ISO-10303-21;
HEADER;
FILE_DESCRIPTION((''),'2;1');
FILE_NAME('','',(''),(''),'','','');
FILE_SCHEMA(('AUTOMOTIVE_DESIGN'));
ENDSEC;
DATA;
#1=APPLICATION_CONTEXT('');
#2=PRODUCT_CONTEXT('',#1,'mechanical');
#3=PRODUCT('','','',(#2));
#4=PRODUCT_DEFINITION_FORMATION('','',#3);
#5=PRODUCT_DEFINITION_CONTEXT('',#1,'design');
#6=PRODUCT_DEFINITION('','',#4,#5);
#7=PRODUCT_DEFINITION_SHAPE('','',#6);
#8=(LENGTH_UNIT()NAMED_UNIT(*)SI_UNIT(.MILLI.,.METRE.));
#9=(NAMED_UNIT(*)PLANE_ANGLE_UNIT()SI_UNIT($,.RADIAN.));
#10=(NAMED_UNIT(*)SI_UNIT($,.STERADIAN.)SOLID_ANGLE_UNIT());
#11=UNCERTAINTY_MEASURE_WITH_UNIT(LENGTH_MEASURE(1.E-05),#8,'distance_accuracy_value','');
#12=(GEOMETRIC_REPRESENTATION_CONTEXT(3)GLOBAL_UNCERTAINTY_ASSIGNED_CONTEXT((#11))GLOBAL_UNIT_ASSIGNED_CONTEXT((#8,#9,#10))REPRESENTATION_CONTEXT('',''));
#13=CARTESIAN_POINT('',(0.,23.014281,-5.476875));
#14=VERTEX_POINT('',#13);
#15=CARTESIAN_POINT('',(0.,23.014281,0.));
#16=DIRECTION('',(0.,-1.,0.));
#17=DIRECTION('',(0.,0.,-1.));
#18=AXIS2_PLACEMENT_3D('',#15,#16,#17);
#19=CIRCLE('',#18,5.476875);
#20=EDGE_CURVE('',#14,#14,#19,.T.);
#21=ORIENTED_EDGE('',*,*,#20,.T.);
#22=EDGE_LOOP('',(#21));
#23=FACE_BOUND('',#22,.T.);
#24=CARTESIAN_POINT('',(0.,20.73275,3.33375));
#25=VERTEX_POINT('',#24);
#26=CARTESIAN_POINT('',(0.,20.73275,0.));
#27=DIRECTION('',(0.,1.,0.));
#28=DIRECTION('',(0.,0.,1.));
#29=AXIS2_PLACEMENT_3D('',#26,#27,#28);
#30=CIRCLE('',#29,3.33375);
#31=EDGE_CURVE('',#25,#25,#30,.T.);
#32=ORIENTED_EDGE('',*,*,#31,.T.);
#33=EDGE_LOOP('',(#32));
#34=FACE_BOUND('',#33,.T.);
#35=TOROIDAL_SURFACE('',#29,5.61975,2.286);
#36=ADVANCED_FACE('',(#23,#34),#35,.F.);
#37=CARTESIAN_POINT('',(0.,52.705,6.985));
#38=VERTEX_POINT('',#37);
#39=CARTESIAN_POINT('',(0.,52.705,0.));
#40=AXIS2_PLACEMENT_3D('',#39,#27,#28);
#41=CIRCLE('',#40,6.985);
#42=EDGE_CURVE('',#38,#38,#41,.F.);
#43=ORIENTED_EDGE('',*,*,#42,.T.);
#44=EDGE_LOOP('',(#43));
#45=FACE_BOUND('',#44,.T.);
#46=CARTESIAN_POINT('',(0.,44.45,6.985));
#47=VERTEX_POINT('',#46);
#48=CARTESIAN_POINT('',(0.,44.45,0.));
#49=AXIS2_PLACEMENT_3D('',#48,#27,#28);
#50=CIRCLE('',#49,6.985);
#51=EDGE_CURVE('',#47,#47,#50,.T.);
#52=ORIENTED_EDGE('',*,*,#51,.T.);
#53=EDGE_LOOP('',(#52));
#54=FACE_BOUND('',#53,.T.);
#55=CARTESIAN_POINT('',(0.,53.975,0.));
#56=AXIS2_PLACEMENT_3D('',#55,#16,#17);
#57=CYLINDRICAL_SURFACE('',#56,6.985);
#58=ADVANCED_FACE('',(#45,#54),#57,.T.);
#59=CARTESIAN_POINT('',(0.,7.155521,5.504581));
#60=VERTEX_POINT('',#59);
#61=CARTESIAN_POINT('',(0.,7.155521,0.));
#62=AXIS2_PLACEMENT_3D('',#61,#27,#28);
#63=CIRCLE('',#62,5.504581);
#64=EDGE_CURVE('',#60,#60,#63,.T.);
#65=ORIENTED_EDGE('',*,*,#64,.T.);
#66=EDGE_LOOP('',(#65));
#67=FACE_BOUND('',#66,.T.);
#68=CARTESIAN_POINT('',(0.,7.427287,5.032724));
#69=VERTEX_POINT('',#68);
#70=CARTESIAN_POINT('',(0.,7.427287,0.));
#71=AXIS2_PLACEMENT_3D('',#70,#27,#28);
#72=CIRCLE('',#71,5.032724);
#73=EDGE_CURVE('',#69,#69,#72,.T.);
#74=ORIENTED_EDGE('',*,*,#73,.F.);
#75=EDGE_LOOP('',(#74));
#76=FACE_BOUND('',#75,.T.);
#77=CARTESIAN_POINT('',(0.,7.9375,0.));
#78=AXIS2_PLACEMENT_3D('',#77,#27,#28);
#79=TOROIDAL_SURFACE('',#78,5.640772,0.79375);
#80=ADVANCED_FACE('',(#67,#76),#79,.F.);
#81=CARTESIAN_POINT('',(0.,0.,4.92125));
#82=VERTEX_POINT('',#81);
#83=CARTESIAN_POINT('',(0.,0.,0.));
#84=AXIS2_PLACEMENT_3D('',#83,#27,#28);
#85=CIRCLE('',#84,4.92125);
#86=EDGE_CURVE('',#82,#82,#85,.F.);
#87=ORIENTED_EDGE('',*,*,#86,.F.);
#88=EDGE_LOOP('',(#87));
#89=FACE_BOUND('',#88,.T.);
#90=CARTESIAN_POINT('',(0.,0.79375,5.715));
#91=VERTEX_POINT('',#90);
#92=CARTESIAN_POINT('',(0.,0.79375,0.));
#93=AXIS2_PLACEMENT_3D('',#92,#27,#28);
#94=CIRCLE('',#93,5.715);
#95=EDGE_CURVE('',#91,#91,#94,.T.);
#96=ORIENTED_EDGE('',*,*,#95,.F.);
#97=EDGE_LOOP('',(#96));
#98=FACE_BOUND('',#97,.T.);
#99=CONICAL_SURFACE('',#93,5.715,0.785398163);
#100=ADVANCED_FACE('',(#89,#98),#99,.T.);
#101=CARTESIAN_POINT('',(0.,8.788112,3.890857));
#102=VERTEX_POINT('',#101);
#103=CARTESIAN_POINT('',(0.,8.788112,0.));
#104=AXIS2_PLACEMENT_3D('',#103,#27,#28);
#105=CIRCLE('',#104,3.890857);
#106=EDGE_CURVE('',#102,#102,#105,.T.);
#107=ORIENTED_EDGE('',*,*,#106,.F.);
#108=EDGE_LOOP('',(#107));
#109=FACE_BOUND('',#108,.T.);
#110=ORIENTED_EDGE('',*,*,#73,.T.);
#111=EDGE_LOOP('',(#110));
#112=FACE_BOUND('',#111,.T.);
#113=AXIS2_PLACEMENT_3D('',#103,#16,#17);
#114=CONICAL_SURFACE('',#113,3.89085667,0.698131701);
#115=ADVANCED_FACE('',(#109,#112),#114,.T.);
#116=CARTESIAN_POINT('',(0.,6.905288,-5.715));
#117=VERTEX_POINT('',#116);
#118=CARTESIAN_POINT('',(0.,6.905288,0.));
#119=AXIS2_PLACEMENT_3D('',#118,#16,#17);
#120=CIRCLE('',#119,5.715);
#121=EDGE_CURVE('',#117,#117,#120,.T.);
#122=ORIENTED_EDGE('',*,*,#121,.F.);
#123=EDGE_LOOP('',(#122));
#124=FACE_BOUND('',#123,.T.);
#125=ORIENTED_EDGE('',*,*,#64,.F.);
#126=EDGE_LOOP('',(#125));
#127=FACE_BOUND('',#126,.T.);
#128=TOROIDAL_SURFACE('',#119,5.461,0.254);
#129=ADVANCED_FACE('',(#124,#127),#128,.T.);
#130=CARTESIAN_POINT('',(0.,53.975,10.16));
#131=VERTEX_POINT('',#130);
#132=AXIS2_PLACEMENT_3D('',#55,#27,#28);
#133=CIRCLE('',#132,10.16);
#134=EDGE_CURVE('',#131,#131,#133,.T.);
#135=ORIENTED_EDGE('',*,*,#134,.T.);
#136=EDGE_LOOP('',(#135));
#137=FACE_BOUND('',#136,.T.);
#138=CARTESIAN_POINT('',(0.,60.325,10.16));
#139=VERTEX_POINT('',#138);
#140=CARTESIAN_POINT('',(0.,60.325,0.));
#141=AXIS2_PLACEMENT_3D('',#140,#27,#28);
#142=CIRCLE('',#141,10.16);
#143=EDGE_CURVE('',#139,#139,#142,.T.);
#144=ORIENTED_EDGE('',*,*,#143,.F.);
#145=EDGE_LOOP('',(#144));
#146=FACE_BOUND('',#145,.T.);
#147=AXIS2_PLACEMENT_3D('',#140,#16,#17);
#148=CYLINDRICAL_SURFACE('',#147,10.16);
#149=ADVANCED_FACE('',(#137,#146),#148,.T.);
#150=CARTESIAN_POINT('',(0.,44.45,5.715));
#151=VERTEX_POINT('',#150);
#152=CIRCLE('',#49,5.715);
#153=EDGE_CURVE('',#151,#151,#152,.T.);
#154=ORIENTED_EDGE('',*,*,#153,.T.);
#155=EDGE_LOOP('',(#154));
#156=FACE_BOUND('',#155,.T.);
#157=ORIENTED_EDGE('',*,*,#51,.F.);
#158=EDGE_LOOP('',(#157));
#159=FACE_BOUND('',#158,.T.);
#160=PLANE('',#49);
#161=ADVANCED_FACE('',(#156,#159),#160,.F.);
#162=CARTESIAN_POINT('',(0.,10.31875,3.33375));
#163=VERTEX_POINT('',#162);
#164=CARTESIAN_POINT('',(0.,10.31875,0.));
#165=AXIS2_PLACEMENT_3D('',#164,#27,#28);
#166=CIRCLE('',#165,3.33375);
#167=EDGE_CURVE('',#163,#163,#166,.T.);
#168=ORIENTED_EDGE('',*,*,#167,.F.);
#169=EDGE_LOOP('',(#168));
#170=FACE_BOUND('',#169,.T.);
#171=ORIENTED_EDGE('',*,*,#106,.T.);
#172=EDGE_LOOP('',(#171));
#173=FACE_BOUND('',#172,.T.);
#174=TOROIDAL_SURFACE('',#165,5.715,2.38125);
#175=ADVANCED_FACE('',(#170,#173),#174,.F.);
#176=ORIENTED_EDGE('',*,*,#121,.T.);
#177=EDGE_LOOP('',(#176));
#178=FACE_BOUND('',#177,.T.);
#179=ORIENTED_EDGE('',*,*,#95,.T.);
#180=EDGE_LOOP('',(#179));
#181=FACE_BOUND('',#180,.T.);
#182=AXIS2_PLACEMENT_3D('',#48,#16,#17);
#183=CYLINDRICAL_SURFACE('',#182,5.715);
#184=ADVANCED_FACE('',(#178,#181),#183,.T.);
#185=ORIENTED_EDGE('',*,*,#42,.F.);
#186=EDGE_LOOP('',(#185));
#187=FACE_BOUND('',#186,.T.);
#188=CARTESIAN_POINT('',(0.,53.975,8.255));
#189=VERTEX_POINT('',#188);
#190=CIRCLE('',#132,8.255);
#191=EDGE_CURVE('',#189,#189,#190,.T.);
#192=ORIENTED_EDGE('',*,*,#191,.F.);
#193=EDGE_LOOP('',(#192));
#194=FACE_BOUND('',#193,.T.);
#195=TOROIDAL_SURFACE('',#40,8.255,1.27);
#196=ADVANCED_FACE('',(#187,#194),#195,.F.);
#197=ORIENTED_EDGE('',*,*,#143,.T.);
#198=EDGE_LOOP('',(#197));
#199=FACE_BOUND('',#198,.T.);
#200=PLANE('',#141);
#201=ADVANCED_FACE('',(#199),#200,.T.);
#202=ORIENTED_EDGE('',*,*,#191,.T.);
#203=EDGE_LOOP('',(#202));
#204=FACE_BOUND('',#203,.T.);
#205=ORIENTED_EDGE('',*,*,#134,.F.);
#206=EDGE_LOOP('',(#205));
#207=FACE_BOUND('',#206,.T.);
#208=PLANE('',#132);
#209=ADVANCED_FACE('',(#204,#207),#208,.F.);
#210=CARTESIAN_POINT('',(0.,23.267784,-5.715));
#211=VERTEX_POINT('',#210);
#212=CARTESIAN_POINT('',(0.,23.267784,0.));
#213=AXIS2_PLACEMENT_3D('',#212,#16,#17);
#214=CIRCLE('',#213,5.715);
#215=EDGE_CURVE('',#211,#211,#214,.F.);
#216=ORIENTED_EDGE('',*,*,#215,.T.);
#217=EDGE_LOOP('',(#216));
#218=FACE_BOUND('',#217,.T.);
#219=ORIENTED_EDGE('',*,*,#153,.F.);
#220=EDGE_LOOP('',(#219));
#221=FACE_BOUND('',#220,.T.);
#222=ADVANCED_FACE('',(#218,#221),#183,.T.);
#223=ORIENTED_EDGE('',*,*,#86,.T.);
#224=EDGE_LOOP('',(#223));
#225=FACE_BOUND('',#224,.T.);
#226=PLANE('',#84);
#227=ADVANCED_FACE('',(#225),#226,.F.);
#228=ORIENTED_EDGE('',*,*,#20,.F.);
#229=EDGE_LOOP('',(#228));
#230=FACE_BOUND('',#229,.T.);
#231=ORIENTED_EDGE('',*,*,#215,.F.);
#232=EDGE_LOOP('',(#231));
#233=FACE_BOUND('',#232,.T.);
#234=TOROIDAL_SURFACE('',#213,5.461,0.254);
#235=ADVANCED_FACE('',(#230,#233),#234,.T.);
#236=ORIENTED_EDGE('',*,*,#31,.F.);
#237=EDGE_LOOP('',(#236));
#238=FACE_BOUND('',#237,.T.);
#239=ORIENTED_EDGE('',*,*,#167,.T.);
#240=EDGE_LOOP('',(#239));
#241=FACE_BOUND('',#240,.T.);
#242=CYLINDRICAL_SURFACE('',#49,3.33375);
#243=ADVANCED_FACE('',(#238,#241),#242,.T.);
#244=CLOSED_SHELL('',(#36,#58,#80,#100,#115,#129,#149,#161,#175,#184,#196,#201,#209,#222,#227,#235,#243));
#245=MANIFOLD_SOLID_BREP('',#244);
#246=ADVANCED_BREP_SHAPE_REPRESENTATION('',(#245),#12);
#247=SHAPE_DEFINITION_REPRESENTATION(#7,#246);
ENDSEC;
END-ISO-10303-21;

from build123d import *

# Parameters (mm, degrees)
SKETCH1_R               = 5.715
MAIN_DEPTH              = 44.45
CHAMFER1_SIZE           = 0.79375
FILLET1_R               = 0.254
SKETCH6_R               = 6.985
SPRING_STABILIZER_DEPTH = 9.525
SKETCH3_R               = 10.16
TOP_CAP_DEPTH           = 6.35
FILLET2_R               = 1.27


with BuildPart() as part:
    # Sketch1 → main (new body)
    with BuildSketch(Plane(origin=(0, 0, 0), x_dir=(1, 0, 0), z_dir=(0, 1, 0))):
        Circle(SKETCH1_R)
    extrude(amount=MAIN_DEPTH)

    # Chamfer1
    chamfer1_edges = [part.edges().sort_by_distance(p)[0] for p in [
        (-5.715, 0, 0),
    ]]
    chamfer(chamfer1_edges, length=CHAMFER1_SIZE)

    # Sketch2 → Cut-Revolve1 (revolve, cut)
    with BuildSketch(Plane(origin=(0, 0, 0), x_dir=(0, 0, -1), z_dir=(1, 0, 0))):
        with BuildLine():
            Line((-3.89085667, 8.788112004), (-5.032724148, 7.427287335))
            ThreePointArc((-5.032724148, 7.427287335), (-5.30531868, 7.218118194), (-5.640771925, 7.14375))
            Line((-5.640771925, 7.14375), (-5.715, 7.14375))
            Line((-5.715, 7.14375), (-5.715, 23.01875))
            Line((-5.715, 23.01875), (-5.61975, 23.01875))
            ThreePointArc((-5.61975, 23.01875), (-4.003303898, 22.349196102), (-3.33375, 20.73275))
            Line((-3.33375, 20.73275), (-3.33375, 10.31875))
            ThreePointArc((-3.33375, 10.31875), (-3.477356947, 9.504314534), (-3.89085667, 8.788112004))
        make_face()
    revolve(axis=Axis((0, 44.45, 0), (0, -1, 0)), mode=Mode.SUBTRACT)

    # Fillet1
    fillet1_edges = [part.edges().sort_by_distance(p)[0] for p in [
        (-5.715, 7.14375, 0),
        (-5.715, 23.01875, 0),
    ]]
    fillet(fillet1_edges, radius=FILLET1_R)

    # Sketch6 → spring_stabilizer (add)
    with BuildSketch(Plane(origin=(0, 44.45, 0), x_dir=(1, 0, 0), z_dir=(0, 1, 0))):
        Circle(SKETCH6_R)
    extrude(amount=SPRING_STABILIZER_DEPTH)

    # Sketch3 → top_cap (add)
    with BuildSketch(Plane(origin=(0, 53.975, 0), x_dir=(1, 0, 0), z_dir=(0, 1, 0))):
        Circle(SKETCH3_R)
    extrude(amount=TOP_CAP_DEPTH)

    # Fillet2
    fillet2_edges = [part.edges().sort_by_distance(p)[0] for p in [
        (-6.985, 53.975, 0),
    ]]
    fillet(fillet2_edges, radius=FILLET2_R)


solid = part.part
